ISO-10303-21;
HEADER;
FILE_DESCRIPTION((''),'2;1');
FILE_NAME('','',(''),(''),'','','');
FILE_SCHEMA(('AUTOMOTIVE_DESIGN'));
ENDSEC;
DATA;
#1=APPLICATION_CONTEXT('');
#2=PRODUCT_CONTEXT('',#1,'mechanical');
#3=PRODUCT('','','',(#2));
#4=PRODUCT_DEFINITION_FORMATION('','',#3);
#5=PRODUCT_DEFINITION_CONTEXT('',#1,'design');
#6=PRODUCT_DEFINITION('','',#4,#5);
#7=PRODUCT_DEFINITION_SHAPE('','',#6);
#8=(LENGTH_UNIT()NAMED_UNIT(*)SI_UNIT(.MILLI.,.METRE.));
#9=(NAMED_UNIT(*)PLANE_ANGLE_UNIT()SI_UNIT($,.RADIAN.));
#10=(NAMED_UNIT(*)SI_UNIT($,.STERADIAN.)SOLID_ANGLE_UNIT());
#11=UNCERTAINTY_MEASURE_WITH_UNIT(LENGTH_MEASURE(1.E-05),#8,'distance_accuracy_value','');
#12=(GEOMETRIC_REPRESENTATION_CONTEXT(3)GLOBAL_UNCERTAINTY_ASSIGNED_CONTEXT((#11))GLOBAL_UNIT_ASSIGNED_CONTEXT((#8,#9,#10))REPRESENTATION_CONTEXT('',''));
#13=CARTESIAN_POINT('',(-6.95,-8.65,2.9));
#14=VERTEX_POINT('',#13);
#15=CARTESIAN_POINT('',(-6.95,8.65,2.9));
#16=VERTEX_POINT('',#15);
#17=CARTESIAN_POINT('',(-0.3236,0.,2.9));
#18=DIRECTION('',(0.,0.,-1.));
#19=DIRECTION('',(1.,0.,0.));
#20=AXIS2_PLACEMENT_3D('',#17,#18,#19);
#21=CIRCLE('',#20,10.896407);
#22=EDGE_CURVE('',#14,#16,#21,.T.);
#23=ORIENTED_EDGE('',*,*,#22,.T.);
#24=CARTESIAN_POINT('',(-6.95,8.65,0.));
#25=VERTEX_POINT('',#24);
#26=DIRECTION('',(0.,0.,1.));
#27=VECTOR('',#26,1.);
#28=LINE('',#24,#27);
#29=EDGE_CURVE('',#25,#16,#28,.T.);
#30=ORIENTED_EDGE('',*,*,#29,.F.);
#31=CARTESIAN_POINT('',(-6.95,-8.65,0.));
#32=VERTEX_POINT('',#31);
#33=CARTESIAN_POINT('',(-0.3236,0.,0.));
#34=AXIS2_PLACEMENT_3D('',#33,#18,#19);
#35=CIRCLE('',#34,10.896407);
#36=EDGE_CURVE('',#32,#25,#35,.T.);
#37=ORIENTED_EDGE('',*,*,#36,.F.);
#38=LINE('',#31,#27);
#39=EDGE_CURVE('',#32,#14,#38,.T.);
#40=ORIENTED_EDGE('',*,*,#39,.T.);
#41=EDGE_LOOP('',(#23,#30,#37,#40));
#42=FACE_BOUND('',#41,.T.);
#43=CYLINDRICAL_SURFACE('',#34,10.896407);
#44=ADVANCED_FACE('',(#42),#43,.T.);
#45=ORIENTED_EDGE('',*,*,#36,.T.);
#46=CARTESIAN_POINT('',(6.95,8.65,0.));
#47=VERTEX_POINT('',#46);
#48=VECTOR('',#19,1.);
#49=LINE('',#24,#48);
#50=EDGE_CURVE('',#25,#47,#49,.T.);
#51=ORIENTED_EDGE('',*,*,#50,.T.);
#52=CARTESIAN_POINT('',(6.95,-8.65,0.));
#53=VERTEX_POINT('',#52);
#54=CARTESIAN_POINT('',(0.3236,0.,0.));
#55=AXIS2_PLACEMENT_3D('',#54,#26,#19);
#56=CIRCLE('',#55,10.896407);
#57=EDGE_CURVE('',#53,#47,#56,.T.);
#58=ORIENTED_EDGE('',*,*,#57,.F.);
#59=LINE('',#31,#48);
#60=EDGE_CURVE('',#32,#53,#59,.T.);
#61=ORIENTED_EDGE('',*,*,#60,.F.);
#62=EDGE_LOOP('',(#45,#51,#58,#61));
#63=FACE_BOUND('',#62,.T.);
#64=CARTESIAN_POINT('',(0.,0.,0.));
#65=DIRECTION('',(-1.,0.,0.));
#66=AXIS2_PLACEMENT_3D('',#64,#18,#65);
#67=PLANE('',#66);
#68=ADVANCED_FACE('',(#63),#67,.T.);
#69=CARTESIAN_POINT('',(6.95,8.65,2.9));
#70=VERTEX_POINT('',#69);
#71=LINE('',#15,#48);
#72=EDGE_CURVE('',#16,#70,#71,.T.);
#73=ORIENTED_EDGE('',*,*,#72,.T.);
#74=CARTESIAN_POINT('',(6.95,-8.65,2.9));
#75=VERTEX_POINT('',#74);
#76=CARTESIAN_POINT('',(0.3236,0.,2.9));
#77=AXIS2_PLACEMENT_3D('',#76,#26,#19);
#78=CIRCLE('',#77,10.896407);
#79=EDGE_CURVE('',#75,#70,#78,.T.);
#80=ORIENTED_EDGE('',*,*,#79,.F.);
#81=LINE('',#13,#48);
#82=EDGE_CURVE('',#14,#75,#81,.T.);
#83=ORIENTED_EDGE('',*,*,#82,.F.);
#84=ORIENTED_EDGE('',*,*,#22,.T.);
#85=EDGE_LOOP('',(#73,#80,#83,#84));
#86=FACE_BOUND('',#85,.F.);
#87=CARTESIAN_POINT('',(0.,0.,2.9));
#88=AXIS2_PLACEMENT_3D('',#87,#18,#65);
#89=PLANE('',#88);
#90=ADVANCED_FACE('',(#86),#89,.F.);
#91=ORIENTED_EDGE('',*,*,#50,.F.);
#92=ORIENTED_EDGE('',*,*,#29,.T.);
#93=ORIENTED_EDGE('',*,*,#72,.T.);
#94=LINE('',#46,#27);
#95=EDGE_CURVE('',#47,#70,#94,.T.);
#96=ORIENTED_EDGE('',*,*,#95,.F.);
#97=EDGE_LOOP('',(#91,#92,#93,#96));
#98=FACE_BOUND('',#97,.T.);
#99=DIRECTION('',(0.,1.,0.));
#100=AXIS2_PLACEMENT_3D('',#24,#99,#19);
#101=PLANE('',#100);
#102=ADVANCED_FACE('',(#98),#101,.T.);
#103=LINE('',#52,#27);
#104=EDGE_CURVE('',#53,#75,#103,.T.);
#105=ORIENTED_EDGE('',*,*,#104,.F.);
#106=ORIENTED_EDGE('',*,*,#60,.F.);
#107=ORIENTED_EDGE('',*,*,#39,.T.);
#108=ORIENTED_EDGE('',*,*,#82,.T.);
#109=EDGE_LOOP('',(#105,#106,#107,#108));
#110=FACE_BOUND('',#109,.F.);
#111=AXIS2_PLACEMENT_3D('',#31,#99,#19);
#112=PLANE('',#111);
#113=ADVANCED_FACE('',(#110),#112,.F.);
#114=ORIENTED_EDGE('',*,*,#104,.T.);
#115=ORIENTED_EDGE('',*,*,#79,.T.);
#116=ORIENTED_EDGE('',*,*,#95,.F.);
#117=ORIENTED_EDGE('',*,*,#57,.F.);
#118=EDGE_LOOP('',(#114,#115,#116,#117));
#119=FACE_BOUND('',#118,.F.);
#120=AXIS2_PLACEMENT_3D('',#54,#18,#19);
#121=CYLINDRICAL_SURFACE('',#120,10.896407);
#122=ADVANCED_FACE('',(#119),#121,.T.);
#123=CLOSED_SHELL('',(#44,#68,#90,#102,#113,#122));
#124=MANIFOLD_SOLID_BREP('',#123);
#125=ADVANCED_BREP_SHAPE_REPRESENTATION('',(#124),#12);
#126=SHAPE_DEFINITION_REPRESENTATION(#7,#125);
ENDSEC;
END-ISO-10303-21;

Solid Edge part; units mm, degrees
sketch "Sketch1" plane through (0, 0, 0) normal (0, 0, 1) x (1, 0, 0)
  arc A0 (-6.95, -8.65) -> (-6.95, 8.65) centre (-0.3236, 0) cw
  line L0 (-6.95, 8.65) -> (6.95, 8.65)
  arc A1 (6.95, -8.65) -> (6.95, 8.65) centre (0.3236, 0) ccw
  line L1 (-6.95, -8.65) -> (6.95, -8.65)
extrude "Protrusion1" add sketch "Sketch1" along normal blind 2.9
